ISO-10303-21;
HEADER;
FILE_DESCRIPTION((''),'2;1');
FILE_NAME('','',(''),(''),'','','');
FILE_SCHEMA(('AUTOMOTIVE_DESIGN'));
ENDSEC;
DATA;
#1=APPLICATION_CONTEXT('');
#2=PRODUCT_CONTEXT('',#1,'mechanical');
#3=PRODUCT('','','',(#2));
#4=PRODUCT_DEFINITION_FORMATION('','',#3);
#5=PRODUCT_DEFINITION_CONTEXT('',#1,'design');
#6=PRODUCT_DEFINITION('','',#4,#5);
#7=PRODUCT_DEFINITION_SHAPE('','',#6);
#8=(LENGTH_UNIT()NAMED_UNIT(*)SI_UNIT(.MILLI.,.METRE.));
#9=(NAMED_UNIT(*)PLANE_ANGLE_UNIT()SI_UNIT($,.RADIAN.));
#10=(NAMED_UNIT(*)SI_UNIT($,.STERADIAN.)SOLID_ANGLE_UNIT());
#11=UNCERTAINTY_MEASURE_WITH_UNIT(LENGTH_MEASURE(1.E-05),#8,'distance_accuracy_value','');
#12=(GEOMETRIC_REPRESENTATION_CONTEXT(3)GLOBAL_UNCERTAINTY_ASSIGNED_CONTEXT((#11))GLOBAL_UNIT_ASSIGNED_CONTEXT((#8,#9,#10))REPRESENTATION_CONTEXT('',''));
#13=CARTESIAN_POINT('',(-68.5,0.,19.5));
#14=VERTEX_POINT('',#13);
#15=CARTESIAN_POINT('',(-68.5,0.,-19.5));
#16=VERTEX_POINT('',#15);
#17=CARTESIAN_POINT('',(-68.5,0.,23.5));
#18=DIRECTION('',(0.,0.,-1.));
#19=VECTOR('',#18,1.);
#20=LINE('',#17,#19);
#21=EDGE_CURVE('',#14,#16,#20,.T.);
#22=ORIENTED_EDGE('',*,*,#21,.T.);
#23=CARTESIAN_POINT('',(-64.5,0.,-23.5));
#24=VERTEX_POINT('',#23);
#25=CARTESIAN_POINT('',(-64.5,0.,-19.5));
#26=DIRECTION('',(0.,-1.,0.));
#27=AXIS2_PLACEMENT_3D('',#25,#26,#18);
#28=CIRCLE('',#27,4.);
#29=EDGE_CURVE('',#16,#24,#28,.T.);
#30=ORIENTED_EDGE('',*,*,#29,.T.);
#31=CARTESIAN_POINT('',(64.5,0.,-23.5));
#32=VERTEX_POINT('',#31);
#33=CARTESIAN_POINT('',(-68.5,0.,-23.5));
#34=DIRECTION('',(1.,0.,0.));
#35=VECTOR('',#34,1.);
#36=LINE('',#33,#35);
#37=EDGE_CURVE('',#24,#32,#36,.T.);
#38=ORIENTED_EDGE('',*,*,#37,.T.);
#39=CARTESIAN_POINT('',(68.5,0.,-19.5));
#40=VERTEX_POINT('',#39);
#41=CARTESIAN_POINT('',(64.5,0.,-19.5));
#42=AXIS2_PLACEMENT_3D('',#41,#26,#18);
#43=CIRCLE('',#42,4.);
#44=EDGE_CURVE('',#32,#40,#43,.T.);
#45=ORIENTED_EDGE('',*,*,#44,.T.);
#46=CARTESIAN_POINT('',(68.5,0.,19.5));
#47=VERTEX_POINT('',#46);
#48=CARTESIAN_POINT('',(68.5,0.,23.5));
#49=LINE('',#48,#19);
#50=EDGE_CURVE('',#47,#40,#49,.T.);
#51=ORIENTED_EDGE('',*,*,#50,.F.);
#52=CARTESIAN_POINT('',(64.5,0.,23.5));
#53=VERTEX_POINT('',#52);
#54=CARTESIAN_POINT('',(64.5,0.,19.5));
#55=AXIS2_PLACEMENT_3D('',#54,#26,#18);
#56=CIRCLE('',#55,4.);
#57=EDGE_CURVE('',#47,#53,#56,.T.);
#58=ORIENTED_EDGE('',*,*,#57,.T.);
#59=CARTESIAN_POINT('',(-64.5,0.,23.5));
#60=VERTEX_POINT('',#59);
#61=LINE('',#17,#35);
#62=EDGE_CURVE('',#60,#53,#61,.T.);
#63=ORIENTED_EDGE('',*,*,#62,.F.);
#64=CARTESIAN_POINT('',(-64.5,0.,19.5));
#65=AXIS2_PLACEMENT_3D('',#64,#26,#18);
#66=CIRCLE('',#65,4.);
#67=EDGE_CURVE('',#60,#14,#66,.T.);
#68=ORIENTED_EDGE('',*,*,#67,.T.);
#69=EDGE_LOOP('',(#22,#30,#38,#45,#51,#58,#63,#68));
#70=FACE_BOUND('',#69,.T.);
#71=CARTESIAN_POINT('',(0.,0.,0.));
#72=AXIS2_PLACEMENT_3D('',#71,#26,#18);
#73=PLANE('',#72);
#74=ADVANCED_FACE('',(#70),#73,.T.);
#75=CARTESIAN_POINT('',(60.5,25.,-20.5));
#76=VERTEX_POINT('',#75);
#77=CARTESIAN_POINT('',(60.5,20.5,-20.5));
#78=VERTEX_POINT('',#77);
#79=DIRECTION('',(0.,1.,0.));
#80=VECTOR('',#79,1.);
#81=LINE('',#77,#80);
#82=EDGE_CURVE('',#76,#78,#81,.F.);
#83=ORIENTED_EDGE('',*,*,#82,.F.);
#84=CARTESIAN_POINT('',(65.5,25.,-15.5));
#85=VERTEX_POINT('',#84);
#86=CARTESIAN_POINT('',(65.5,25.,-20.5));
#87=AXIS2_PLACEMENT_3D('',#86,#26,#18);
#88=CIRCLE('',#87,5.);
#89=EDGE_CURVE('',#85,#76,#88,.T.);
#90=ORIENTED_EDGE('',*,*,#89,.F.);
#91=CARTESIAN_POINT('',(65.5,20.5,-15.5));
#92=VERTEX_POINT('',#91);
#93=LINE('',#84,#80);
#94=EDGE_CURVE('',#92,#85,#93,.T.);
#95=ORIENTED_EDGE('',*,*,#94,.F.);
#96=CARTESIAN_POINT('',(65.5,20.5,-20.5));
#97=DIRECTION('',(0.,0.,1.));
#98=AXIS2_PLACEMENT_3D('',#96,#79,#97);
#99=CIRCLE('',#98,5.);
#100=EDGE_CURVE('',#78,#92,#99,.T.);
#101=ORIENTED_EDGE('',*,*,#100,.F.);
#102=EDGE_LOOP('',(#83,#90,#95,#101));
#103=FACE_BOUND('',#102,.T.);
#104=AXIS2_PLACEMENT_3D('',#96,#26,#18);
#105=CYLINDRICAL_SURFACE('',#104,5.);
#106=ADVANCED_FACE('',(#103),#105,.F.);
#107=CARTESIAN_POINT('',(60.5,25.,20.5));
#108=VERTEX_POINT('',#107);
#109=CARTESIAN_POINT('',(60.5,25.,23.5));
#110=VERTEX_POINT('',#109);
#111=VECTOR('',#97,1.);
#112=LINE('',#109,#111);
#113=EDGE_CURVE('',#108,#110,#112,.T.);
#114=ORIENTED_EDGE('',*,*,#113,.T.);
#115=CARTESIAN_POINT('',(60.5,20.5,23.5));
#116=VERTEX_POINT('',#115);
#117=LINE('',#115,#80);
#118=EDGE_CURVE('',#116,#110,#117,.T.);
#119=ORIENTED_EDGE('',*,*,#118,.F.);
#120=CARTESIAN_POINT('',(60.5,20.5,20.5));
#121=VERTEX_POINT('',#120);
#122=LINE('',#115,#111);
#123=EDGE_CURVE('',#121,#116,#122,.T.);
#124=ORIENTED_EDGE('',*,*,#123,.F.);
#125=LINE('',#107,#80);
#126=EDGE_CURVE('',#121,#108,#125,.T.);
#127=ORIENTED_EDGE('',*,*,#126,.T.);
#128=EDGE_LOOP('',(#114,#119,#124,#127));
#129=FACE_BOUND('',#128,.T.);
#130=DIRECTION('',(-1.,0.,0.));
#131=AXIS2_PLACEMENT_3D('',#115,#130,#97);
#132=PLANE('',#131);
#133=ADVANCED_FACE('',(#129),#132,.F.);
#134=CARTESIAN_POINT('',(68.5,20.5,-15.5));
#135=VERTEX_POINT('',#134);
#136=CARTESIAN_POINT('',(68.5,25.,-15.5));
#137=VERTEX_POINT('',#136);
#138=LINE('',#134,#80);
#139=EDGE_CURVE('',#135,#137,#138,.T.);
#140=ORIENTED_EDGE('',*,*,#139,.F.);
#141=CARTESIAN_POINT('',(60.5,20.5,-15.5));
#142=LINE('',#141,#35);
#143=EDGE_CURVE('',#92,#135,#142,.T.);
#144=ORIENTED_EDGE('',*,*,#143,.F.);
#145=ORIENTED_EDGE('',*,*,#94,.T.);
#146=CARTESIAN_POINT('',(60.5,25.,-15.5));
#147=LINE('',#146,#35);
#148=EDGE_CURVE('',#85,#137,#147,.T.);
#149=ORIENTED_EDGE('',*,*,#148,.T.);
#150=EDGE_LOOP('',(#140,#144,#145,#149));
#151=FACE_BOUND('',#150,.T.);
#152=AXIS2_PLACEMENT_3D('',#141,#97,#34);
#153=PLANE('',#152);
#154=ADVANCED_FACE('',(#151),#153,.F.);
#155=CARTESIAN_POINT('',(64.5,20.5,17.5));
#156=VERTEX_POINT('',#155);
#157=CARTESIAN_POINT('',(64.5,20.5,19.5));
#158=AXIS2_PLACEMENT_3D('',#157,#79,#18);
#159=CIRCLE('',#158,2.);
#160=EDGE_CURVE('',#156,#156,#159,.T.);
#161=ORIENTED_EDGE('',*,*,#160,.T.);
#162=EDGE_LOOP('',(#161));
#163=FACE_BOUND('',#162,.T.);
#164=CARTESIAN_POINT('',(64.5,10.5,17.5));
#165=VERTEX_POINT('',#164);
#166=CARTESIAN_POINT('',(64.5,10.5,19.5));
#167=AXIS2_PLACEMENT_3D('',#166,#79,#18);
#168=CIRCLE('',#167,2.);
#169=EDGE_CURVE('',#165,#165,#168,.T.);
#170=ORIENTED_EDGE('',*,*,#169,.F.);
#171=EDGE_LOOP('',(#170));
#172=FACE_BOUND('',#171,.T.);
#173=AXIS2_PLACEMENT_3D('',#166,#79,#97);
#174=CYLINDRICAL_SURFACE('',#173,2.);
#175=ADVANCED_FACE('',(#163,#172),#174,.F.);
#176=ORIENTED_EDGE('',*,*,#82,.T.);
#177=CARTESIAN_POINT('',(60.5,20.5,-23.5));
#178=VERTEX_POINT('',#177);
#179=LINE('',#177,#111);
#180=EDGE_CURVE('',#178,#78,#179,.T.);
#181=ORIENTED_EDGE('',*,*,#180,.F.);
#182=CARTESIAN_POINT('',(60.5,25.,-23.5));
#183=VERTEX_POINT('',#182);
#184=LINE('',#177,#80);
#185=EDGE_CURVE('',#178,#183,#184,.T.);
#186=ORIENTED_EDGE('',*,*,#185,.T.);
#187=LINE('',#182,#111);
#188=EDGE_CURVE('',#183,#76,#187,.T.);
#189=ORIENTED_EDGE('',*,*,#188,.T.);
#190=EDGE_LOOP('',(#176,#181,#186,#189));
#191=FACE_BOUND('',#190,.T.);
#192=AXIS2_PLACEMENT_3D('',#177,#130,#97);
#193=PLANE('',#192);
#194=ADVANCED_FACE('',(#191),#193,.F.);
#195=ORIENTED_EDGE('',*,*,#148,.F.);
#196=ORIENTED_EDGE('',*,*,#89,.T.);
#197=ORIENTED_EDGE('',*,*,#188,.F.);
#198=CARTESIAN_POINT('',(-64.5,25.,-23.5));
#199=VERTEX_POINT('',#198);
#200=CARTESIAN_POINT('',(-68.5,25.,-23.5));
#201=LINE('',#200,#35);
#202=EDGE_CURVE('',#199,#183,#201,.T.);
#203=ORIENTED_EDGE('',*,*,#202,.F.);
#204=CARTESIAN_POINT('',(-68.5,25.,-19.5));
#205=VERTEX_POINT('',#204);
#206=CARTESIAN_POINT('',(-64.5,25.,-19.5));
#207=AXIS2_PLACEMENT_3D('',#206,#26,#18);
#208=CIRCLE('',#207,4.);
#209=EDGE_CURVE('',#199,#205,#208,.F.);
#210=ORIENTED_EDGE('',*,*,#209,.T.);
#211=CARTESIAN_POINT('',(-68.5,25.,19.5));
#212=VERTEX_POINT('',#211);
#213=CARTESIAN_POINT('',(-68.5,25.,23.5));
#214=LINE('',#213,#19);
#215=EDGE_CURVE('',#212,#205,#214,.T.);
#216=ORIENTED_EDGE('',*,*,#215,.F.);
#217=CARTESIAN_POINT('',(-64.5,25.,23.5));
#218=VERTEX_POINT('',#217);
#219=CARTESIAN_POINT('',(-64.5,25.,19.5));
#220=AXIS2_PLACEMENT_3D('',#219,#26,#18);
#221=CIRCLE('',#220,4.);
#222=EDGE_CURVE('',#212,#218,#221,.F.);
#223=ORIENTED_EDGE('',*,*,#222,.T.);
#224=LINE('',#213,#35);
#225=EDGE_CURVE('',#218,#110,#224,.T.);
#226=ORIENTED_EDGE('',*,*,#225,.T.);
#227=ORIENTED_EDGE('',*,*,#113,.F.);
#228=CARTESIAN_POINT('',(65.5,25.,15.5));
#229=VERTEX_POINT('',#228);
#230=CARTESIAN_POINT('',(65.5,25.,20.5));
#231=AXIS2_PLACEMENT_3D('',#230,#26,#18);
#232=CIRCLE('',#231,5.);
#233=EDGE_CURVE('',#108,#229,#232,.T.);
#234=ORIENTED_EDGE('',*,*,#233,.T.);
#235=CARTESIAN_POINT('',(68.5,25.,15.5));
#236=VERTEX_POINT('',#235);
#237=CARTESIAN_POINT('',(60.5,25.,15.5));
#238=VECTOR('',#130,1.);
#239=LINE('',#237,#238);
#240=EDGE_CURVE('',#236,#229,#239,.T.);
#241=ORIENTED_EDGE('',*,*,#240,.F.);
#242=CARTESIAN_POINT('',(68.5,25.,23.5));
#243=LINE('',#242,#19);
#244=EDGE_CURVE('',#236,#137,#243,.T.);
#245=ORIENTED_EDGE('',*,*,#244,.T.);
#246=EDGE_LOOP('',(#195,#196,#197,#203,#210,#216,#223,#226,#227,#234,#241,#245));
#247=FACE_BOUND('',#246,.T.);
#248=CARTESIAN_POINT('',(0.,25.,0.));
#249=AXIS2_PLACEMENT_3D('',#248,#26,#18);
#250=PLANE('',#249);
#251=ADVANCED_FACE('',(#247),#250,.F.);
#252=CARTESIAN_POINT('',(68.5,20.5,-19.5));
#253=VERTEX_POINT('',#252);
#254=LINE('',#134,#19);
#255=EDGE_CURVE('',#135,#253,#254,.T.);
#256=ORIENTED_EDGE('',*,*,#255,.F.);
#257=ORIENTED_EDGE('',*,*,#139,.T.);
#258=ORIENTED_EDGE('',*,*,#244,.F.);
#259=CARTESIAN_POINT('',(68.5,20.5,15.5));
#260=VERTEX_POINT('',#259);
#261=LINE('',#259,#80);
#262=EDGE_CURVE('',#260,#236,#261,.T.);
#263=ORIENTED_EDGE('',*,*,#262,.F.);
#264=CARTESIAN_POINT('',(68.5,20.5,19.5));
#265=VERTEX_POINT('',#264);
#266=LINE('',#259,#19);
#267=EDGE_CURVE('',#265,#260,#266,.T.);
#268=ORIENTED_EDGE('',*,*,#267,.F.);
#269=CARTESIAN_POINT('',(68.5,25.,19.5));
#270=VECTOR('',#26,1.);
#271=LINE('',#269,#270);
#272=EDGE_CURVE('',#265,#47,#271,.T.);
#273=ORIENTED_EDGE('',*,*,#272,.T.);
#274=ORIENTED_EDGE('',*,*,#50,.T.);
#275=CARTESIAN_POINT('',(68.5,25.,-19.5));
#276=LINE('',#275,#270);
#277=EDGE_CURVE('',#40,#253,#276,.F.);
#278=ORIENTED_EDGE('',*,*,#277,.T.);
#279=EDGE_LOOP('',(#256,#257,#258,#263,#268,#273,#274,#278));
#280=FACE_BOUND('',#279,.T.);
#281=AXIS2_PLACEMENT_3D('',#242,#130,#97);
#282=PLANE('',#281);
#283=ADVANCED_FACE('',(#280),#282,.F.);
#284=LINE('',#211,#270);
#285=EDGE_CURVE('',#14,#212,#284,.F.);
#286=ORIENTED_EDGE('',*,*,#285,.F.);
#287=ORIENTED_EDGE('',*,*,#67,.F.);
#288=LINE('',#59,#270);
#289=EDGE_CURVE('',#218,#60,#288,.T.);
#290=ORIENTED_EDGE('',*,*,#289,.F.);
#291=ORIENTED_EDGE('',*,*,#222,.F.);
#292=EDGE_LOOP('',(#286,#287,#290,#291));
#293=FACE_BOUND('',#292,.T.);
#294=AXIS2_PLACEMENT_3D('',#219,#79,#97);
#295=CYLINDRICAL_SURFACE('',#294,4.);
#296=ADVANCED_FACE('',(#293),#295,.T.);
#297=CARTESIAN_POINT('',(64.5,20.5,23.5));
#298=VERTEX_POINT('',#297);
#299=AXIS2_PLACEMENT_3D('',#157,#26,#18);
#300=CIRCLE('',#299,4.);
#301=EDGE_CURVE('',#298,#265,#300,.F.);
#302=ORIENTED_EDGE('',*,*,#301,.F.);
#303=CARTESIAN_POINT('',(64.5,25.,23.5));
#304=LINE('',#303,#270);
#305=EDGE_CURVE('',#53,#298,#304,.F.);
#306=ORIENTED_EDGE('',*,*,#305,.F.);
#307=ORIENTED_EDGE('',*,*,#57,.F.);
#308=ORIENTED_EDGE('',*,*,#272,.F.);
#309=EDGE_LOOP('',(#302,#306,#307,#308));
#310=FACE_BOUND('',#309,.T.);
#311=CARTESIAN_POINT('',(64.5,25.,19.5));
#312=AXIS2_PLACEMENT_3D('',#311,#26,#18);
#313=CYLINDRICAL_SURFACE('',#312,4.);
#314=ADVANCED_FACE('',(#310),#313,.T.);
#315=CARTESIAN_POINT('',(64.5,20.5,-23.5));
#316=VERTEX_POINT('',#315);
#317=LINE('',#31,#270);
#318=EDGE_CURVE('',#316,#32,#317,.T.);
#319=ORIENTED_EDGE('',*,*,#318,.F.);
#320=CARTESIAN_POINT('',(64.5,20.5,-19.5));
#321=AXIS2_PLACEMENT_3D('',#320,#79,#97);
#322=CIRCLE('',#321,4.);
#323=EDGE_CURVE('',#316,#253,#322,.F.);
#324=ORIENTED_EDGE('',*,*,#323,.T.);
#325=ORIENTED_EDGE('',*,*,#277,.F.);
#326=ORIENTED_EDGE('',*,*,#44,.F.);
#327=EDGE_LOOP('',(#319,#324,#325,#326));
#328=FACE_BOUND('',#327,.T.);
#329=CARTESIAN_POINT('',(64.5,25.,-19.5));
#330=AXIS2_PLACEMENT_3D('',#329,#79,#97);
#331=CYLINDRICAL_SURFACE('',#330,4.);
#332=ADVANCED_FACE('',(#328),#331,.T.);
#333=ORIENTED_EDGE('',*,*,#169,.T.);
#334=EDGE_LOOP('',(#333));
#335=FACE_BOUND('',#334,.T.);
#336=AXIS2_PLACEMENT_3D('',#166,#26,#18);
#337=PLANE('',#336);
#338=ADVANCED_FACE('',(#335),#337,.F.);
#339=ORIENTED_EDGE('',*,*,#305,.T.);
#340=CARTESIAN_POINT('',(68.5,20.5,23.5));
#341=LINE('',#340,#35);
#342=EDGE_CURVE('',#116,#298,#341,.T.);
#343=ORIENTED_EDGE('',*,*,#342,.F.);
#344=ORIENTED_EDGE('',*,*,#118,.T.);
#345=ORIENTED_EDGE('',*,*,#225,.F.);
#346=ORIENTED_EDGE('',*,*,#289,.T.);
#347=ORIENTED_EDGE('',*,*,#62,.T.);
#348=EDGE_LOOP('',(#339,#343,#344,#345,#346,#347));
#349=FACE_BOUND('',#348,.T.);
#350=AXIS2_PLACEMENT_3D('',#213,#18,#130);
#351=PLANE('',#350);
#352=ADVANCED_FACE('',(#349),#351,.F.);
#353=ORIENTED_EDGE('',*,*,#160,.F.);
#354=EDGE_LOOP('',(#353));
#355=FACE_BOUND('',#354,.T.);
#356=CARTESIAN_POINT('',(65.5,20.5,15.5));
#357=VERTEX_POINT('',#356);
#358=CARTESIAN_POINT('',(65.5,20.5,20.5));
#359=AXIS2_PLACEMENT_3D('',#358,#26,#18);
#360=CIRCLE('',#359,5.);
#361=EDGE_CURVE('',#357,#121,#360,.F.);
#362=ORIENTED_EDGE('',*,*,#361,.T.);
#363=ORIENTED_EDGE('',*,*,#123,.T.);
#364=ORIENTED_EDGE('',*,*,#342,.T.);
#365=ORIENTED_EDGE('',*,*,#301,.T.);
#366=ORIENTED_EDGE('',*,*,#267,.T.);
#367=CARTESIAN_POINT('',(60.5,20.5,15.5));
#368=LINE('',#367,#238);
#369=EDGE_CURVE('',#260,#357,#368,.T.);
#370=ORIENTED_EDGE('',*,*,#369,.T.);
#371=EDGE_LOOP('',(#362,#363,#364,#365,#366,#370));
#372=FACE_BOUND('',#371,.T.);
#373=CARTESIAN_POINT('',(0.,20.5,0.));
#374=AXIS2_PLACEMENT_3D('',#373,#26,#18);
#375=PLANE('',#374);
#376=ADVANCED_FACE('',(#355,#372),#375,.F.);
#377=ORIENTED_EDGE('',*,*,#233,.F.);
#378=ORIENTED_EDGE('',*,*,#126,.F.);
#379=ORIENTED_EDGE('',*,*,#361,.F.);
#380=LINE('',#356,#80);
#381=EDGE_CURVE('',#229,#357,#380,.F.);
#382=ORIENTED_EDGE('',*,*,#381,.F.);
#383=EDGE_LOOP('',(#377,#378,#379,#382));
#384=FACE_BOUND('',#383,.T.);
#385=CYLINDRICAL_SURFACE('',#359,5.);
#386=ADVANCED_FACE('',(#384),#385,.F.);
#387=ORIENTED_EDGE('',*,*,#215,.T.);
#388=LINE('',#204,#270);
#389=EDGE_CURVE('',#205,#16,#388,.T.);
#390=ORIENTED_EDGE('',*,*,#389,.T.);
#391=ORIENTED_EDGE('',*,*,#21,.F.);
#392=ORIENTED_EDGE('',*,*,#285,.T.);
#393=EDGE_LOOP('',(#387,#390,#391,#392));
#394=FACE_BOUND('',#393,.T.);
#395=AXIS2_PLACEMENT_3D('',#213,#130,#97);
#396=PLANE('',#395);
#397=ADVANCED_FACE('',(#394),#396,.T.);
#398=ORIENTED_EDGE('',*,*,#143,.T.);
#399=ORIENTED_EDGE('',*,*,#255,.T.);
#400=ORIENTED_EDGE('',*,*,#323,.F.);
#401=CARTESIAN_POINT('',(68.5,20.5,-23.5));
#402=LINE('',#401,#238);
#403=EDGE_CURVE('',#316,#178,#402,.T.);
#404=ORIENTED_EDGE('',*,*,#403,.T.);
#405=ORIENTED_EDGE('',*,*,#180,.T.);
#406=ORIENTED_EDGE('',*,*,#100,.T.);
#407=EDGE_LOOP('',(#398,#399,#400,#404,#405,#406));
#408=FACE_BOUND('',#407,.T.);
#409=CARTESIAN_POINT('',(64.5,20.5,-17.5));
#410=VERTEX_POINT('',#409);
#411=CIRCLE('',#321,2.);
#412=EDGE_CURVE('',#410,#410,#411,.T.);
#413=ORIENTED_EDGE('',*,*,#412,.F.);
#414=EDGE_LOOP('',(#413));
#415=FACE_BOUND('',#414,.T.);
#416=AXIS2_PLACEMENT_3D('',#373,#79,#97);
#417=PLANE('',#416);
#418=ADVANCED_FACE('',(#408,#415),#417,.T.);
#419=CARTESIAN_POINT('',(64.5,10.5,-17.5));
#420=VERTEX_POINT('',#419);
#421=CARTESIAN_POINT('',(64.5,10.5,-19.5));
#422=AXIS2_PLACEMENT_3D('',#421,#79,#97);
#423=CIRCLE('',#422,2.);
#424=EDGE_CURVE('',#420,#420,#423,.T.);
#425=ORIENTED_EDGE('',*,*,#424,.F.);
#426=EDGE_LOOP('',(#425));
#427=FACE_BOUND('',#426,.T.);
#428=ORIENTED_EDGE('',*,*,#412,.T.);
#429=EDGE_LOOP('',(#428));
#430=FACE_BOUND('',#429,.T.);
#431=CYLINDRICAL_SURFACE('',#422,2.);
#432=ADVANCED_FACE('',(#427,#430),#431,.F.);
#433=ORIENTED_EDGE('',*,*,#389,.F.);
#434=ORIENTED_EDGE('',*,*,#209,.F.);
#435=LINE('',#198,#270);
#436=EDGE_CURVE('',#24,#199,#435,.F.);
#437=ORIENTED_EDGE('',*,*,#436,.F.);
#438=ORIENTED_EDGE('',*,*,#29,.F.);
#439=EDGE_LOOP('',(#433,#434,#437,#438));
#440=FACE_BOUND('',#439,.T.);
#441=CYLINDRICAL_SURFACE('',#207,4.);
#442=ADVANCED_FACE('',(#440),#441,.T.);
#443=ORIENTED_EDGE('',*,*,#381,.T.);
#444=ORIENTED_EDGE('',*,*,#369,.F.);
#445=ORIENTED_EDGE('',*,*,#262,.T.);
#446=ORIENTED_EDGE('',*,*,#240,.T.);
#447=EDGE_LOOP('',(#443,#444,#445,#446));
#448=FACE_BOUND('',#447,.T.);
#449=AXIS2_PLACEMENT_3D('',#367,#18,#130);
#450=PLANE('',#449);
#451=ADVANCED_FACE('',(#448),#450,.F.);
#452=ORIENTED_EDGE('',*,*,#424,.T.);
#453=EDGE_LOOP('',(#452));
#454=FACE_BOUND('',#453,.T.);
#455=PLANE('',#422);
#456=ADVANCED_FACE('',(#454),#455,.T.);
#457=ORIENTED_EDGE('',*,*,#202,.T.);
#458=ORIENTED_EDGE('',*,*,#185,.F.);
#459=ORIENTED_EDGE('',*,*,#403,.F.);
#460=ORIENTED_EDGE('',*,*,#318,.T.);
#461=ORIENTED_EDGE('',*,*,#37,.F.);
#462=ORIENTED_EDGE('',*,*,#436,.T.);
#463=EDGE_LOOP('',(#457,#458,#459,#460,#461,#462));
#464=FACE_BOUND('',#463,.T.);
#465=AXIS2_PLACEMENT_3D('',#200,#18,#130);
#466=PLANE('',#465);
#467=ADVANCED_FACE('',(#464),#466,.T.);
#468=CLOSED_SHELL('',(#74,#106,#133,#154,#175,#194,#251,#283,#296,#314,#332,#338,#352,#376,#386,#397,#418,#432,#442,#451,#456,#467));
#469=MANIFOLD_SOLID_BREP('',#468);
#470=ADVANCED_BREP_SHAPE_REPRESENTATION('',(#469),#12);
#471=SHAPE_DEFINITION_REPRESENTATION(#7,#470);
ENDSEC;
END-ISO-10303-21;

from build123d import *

# Parameters (mm, degrees)
SKETCH1_W           = 137
SKETCH1_H           = 47
BOSS_EXTRUDE1_DEPTH = 25
FILLET1_R           = 4
SKETCH2_W           = 8
SKETCH2_H           = 8
CUT_EXTRUDE1_DEPTH  = 4.5
FILLET2_R           = 5
SKETCH3_R           = 2
CUT_EXTRUDE2_DEPTH  = 10


with BuildPart() as part:
    # Sketch1 → Boss-Extrude1 (new body)
    with BuildSketch(Plane(origin=(0, 0, 0), x_dir=(1, 0, 0), z_dir=(0, 1, 0))):
        Rectangle(SKETCH1_W, SKETCH1_H)
    extrude(amount=BOSS_EXTRUDE1_DEPTH)

    # Fillet1
    fillet1_edges = [part.edges().sort_by_distance(p)[0] for p in [
        (-68.5, 12.5, 23.5),
        (68.5, 12.5, 23.5),
        (68.5, 12.5, -23.5),
        (-68.5, 12.5, -23.5),
    ]]
    fillet(fillet1_edges, radius=FILLET1_R)

    # Sketch2 → Cut-Extrude1 (cut)
    with BuildSketch(Plane(origin=(0, 25, 0), x_dir=(1, 0, 0), z_dir=(0, 1, 0))):
        with Locations((64.5, 19.5)):
            Rectangle(SKETCH2_W, SKETCH2_H)
        with Locations((64.5, -19.5)):
            Rectangle(SKETCH2_W, SKETCH2_H)
    extrude(amount=-CUT_EXTRUDE1_DEPTH, mode=Mode.SUBTRACT)

    # Fillet2
    fillet2_edges = [part.edges().sort_by_distance(p)[0] for p in [
        (60.5, 22.75, -15.5),
        (60.5, 22.75, 15.5),
    ]]
    fillet(fillet2_edges, radius=FILLET2_R)

    # Sketch3 → Cut-Extrude2 (cut)
    with BuildSketch(Plane(origin=(0, 20.5, 0), x_dir=(1, 0, 0), z_dir=(0, 1, 0))):
        with Locations(Location((64.5, 19.5, 0), (0, 0, 270))):
            Circle(SKETCH3_R)
        with Locations(Location((64.5, -19.5, 0), (0, 0, 90))):
            Circle(SKETCH3_R)
    extrude(amount=-CUT_EXTRUDE2_DEPTH, mode=Mode.SUBTRACT)


solid = part.part
